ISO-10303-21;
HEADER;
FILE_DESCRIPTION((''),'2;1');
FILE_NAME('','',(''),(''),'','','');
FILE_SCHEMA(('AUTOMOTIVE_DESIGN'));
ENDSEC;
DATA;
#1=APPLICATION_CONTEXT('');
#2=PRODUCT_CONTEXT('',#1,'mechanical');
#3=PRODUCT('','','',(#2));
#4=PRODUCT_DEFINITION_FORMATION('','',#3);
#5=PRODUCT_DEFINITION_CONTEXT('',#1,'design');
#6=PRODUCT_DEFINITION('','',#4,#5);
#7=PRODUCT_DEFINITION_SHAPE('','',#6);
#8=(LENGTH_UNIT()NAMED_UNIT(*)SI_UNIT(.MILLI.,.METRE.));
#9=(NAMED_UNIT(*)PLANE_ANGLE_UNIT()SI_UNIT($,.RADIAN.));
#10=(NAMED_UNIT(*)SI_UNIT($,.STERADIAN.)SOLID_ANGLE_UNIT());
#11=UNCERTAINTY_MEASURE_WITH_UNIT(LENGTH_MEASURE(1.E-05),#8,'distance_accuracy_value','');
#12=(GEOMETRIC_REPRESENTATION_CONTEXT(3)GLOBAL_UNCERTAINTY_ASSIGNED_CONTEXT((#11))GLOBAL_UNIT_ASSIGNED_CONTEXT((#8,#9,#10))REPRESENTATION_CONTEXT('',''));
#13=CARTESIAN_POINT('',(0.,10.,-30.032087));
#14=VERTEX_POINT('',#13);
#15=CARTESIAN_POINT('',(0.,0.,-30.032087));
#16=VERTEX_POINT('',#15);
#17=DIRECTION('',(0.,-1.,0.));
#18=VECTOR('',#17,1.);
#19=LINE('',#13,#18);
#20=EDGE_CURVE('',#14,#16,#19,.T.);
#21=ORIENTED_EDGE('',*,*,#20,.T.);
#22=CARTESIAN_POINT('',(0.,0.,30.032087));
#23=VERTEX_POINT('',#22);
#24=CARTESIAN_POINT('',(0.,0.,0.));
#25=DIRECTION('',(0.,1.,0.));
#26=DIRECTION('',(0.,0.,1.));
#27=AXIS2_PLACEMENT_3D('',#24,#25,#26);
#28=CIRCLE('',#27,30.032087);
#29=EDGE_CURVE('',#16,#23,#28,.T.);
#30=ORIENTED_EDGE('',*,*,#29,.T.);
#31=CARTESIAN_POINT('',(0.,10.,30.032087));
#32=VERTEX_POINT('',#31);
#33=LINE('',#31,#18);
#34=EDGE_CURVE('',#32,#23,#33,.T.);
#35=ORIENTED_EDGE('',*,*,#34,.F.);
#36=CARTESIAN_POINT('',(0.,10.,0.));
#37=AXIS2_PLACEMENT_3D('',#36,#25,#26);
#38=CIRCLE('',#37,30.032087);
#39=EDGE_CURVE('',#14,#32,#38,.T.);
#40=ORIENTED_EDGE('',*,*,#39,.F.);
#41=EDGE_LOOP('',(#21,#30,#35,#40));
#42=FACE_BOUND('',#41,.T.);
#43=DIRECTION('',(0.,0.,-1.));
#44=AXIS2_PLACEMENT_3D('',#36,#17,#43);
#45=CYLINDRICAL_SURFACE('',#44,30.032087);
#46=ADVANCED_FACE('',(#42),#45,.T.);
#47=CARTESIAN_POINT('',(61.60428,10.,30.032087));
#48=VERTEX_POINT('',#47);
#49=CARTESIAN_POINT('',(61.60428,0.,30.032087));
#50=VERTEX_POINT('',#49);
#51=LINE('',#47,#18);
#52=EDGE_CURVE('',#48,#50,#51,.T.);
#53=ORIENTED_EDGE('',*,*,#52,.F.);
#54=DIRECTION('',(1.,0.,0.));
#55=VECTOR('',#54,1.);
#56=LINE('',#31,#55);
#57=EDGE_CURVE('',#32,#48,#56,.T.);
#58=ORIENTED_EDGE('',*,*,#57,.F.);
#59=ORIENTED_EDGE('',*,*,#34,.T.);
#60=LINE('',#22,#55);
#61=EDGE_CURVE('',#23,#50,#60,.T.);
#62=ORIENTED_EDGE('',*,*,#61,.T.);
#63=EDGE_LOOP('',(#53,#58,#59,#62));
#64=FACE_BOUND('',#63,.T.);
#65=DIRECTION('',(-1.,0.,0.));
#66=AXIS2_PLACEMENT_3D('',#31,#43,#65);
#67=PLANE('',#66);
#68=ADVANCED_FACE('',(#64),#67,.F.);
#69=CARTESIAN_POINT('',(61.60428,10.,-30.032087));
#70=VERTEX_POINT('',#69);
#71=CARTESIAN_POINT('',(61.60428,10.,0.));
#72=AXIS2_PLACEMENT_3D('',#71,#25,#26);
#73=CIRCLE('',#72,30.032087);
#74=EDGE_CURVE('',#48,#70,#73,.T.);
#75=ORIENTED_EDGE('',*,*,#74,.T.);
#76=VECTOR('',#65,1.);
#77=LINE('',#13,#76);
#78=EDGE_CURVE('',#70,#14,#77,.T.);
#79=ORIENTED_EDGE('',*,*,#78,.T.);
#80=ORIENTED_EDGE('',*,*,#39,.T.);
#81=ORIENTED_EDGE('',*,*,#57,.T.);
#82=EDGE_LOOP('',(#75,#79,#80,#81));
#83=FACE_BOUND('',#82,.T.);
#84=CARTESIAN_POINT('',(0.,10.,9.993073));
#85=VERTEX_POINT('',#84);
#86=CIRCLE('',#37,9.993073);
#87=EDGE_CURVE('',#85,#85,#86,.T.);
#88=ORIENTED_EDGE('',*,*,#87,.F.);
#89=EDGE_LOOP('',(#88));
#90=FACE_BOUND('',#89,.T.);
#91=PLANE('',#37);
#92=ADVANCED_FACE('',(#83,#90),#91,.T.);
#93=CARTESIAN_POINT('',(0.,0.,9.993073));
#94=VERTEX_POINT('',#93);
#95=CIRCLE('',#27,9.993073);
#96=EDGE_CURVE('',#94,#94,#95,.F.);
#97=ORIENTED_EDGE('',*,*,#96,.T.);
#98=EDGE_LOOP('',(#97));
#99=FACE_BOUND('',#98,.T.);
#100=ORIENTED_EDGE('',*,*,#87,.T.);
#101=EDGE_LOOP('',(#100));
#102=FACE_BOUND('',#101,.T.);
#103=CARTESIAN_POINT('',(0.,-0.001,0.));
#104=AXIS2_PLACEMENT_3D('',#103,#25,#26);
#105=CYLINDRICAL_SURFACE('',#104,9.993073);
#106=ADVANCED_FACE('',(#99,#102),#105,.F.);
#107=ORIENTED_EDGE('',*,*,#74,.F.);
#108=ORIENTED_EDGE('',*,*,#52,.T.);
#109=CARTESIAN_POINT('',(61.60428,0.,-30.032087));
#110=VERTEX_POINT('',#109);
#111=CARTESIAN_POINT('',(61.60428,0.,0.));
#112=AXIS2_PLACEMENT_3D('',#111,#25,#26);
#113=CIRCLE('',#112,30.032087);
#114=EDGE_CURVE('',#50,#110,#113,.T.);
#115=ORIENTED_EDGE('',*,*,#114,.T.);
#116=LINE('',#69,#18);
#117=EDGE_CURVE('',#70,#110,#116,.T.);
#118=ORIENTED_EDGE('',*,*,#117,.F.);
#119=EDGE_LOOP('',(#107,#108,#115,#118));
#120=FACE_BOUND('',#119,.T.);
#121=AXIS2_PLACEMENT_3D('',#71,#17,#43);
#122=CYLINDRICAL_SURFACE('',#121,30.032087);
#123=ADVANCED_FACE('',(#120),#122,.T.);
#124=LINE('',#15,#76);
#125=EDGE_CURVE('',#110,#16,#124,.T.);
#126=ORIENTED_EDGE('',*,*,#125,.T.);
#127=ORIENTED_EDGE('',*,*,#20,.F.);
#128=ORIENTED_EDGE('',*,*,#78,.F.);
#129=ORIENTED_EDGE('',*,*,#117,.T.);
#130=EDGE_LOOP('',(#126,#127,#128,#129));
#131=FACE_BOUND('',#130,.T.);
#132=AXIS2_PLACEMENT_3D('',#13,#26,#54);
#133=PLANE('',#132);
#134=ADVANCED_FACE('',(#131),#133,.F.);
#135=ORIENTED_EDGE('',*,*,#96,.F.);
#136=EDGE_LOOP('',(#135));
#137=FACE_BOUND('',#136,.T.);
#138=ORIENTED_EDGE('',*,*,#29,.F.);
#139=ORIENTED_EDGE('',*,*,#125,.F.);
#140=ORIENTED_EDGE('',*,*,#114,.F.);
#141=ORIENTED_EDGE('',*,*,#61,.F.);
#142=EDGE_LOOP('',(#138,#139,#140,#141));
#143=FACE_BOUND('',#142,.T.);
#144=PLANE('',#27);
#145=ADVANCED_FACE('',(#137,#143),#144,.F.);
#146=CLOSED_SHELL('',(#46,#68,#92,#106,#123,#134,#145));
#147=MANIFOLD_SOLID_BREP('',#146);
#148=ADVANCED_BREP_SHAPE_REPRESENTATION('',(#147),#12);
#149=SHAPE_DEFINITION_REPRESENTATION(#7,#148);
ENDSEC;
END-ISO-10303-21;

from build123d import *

# Parameters (mm, degrees)
DODANIE_WYCI_GNI_CIE1_DEPTH = 10
WYTNIJ_WYCI_GNI_CIE1_REACH  = 98.949
SZKIC2_R                    = 9.99307311


with BuildPart() as part:
    # Szkic1 → Dodanie-wyciągnięcie1 (new body)
    with BuildSketch(Plane(origin=(0, 0, 0), x_dir=(1, 0, 0), z_dir=(0, 1, 0))):
        with BuildLine():
            Line((0, 30.032086689), (61.604280389, 30.032086689))
            ThreePointArc((61.604280389, 30.032086689), (91.636367078, 0), (61.604280389, -30.032086689))
            Line((61.604280389, -30.032086689), (0, -30.032086689))
            ThreePointArc((0, -30.032086689), (-30.032086689, 0), (0, 30.032086689))
        make_face()
    extrude(amount=DODANIE_WYCI_GNI_CIE1_DEPTH)

    # Szkic2 → Wytnij-wyciągnięcie1 (cut, up to next)
    with BuildSketch(Plane(origin=(0, 10, 0), x_dir=(1, 0, 0), z_dir=(0, 1, 0)), mode=Mode.PRIVATE) as wytnij_wyci_gni_cie1_sk1:
        with Locations(Location((0, 0, 0), (0, 0, 270))):
            Circle(SZKIC2_R)
    wytnij_wyci_gni_cie1_tool1 = extrude(wytnij_wyci_gni_cie1_sk1.sketch, amount=-WYTNIJ_WYCI_GNI_CIE1_REACH, mode=Mode.PRIVATE) & part.part
    add(wytnij_wyci_gni_cie1_tool1.solids().sort_by_distance((0, 10, 0))[0], mode=Mode.SUBTRACT)


solid = part.part
